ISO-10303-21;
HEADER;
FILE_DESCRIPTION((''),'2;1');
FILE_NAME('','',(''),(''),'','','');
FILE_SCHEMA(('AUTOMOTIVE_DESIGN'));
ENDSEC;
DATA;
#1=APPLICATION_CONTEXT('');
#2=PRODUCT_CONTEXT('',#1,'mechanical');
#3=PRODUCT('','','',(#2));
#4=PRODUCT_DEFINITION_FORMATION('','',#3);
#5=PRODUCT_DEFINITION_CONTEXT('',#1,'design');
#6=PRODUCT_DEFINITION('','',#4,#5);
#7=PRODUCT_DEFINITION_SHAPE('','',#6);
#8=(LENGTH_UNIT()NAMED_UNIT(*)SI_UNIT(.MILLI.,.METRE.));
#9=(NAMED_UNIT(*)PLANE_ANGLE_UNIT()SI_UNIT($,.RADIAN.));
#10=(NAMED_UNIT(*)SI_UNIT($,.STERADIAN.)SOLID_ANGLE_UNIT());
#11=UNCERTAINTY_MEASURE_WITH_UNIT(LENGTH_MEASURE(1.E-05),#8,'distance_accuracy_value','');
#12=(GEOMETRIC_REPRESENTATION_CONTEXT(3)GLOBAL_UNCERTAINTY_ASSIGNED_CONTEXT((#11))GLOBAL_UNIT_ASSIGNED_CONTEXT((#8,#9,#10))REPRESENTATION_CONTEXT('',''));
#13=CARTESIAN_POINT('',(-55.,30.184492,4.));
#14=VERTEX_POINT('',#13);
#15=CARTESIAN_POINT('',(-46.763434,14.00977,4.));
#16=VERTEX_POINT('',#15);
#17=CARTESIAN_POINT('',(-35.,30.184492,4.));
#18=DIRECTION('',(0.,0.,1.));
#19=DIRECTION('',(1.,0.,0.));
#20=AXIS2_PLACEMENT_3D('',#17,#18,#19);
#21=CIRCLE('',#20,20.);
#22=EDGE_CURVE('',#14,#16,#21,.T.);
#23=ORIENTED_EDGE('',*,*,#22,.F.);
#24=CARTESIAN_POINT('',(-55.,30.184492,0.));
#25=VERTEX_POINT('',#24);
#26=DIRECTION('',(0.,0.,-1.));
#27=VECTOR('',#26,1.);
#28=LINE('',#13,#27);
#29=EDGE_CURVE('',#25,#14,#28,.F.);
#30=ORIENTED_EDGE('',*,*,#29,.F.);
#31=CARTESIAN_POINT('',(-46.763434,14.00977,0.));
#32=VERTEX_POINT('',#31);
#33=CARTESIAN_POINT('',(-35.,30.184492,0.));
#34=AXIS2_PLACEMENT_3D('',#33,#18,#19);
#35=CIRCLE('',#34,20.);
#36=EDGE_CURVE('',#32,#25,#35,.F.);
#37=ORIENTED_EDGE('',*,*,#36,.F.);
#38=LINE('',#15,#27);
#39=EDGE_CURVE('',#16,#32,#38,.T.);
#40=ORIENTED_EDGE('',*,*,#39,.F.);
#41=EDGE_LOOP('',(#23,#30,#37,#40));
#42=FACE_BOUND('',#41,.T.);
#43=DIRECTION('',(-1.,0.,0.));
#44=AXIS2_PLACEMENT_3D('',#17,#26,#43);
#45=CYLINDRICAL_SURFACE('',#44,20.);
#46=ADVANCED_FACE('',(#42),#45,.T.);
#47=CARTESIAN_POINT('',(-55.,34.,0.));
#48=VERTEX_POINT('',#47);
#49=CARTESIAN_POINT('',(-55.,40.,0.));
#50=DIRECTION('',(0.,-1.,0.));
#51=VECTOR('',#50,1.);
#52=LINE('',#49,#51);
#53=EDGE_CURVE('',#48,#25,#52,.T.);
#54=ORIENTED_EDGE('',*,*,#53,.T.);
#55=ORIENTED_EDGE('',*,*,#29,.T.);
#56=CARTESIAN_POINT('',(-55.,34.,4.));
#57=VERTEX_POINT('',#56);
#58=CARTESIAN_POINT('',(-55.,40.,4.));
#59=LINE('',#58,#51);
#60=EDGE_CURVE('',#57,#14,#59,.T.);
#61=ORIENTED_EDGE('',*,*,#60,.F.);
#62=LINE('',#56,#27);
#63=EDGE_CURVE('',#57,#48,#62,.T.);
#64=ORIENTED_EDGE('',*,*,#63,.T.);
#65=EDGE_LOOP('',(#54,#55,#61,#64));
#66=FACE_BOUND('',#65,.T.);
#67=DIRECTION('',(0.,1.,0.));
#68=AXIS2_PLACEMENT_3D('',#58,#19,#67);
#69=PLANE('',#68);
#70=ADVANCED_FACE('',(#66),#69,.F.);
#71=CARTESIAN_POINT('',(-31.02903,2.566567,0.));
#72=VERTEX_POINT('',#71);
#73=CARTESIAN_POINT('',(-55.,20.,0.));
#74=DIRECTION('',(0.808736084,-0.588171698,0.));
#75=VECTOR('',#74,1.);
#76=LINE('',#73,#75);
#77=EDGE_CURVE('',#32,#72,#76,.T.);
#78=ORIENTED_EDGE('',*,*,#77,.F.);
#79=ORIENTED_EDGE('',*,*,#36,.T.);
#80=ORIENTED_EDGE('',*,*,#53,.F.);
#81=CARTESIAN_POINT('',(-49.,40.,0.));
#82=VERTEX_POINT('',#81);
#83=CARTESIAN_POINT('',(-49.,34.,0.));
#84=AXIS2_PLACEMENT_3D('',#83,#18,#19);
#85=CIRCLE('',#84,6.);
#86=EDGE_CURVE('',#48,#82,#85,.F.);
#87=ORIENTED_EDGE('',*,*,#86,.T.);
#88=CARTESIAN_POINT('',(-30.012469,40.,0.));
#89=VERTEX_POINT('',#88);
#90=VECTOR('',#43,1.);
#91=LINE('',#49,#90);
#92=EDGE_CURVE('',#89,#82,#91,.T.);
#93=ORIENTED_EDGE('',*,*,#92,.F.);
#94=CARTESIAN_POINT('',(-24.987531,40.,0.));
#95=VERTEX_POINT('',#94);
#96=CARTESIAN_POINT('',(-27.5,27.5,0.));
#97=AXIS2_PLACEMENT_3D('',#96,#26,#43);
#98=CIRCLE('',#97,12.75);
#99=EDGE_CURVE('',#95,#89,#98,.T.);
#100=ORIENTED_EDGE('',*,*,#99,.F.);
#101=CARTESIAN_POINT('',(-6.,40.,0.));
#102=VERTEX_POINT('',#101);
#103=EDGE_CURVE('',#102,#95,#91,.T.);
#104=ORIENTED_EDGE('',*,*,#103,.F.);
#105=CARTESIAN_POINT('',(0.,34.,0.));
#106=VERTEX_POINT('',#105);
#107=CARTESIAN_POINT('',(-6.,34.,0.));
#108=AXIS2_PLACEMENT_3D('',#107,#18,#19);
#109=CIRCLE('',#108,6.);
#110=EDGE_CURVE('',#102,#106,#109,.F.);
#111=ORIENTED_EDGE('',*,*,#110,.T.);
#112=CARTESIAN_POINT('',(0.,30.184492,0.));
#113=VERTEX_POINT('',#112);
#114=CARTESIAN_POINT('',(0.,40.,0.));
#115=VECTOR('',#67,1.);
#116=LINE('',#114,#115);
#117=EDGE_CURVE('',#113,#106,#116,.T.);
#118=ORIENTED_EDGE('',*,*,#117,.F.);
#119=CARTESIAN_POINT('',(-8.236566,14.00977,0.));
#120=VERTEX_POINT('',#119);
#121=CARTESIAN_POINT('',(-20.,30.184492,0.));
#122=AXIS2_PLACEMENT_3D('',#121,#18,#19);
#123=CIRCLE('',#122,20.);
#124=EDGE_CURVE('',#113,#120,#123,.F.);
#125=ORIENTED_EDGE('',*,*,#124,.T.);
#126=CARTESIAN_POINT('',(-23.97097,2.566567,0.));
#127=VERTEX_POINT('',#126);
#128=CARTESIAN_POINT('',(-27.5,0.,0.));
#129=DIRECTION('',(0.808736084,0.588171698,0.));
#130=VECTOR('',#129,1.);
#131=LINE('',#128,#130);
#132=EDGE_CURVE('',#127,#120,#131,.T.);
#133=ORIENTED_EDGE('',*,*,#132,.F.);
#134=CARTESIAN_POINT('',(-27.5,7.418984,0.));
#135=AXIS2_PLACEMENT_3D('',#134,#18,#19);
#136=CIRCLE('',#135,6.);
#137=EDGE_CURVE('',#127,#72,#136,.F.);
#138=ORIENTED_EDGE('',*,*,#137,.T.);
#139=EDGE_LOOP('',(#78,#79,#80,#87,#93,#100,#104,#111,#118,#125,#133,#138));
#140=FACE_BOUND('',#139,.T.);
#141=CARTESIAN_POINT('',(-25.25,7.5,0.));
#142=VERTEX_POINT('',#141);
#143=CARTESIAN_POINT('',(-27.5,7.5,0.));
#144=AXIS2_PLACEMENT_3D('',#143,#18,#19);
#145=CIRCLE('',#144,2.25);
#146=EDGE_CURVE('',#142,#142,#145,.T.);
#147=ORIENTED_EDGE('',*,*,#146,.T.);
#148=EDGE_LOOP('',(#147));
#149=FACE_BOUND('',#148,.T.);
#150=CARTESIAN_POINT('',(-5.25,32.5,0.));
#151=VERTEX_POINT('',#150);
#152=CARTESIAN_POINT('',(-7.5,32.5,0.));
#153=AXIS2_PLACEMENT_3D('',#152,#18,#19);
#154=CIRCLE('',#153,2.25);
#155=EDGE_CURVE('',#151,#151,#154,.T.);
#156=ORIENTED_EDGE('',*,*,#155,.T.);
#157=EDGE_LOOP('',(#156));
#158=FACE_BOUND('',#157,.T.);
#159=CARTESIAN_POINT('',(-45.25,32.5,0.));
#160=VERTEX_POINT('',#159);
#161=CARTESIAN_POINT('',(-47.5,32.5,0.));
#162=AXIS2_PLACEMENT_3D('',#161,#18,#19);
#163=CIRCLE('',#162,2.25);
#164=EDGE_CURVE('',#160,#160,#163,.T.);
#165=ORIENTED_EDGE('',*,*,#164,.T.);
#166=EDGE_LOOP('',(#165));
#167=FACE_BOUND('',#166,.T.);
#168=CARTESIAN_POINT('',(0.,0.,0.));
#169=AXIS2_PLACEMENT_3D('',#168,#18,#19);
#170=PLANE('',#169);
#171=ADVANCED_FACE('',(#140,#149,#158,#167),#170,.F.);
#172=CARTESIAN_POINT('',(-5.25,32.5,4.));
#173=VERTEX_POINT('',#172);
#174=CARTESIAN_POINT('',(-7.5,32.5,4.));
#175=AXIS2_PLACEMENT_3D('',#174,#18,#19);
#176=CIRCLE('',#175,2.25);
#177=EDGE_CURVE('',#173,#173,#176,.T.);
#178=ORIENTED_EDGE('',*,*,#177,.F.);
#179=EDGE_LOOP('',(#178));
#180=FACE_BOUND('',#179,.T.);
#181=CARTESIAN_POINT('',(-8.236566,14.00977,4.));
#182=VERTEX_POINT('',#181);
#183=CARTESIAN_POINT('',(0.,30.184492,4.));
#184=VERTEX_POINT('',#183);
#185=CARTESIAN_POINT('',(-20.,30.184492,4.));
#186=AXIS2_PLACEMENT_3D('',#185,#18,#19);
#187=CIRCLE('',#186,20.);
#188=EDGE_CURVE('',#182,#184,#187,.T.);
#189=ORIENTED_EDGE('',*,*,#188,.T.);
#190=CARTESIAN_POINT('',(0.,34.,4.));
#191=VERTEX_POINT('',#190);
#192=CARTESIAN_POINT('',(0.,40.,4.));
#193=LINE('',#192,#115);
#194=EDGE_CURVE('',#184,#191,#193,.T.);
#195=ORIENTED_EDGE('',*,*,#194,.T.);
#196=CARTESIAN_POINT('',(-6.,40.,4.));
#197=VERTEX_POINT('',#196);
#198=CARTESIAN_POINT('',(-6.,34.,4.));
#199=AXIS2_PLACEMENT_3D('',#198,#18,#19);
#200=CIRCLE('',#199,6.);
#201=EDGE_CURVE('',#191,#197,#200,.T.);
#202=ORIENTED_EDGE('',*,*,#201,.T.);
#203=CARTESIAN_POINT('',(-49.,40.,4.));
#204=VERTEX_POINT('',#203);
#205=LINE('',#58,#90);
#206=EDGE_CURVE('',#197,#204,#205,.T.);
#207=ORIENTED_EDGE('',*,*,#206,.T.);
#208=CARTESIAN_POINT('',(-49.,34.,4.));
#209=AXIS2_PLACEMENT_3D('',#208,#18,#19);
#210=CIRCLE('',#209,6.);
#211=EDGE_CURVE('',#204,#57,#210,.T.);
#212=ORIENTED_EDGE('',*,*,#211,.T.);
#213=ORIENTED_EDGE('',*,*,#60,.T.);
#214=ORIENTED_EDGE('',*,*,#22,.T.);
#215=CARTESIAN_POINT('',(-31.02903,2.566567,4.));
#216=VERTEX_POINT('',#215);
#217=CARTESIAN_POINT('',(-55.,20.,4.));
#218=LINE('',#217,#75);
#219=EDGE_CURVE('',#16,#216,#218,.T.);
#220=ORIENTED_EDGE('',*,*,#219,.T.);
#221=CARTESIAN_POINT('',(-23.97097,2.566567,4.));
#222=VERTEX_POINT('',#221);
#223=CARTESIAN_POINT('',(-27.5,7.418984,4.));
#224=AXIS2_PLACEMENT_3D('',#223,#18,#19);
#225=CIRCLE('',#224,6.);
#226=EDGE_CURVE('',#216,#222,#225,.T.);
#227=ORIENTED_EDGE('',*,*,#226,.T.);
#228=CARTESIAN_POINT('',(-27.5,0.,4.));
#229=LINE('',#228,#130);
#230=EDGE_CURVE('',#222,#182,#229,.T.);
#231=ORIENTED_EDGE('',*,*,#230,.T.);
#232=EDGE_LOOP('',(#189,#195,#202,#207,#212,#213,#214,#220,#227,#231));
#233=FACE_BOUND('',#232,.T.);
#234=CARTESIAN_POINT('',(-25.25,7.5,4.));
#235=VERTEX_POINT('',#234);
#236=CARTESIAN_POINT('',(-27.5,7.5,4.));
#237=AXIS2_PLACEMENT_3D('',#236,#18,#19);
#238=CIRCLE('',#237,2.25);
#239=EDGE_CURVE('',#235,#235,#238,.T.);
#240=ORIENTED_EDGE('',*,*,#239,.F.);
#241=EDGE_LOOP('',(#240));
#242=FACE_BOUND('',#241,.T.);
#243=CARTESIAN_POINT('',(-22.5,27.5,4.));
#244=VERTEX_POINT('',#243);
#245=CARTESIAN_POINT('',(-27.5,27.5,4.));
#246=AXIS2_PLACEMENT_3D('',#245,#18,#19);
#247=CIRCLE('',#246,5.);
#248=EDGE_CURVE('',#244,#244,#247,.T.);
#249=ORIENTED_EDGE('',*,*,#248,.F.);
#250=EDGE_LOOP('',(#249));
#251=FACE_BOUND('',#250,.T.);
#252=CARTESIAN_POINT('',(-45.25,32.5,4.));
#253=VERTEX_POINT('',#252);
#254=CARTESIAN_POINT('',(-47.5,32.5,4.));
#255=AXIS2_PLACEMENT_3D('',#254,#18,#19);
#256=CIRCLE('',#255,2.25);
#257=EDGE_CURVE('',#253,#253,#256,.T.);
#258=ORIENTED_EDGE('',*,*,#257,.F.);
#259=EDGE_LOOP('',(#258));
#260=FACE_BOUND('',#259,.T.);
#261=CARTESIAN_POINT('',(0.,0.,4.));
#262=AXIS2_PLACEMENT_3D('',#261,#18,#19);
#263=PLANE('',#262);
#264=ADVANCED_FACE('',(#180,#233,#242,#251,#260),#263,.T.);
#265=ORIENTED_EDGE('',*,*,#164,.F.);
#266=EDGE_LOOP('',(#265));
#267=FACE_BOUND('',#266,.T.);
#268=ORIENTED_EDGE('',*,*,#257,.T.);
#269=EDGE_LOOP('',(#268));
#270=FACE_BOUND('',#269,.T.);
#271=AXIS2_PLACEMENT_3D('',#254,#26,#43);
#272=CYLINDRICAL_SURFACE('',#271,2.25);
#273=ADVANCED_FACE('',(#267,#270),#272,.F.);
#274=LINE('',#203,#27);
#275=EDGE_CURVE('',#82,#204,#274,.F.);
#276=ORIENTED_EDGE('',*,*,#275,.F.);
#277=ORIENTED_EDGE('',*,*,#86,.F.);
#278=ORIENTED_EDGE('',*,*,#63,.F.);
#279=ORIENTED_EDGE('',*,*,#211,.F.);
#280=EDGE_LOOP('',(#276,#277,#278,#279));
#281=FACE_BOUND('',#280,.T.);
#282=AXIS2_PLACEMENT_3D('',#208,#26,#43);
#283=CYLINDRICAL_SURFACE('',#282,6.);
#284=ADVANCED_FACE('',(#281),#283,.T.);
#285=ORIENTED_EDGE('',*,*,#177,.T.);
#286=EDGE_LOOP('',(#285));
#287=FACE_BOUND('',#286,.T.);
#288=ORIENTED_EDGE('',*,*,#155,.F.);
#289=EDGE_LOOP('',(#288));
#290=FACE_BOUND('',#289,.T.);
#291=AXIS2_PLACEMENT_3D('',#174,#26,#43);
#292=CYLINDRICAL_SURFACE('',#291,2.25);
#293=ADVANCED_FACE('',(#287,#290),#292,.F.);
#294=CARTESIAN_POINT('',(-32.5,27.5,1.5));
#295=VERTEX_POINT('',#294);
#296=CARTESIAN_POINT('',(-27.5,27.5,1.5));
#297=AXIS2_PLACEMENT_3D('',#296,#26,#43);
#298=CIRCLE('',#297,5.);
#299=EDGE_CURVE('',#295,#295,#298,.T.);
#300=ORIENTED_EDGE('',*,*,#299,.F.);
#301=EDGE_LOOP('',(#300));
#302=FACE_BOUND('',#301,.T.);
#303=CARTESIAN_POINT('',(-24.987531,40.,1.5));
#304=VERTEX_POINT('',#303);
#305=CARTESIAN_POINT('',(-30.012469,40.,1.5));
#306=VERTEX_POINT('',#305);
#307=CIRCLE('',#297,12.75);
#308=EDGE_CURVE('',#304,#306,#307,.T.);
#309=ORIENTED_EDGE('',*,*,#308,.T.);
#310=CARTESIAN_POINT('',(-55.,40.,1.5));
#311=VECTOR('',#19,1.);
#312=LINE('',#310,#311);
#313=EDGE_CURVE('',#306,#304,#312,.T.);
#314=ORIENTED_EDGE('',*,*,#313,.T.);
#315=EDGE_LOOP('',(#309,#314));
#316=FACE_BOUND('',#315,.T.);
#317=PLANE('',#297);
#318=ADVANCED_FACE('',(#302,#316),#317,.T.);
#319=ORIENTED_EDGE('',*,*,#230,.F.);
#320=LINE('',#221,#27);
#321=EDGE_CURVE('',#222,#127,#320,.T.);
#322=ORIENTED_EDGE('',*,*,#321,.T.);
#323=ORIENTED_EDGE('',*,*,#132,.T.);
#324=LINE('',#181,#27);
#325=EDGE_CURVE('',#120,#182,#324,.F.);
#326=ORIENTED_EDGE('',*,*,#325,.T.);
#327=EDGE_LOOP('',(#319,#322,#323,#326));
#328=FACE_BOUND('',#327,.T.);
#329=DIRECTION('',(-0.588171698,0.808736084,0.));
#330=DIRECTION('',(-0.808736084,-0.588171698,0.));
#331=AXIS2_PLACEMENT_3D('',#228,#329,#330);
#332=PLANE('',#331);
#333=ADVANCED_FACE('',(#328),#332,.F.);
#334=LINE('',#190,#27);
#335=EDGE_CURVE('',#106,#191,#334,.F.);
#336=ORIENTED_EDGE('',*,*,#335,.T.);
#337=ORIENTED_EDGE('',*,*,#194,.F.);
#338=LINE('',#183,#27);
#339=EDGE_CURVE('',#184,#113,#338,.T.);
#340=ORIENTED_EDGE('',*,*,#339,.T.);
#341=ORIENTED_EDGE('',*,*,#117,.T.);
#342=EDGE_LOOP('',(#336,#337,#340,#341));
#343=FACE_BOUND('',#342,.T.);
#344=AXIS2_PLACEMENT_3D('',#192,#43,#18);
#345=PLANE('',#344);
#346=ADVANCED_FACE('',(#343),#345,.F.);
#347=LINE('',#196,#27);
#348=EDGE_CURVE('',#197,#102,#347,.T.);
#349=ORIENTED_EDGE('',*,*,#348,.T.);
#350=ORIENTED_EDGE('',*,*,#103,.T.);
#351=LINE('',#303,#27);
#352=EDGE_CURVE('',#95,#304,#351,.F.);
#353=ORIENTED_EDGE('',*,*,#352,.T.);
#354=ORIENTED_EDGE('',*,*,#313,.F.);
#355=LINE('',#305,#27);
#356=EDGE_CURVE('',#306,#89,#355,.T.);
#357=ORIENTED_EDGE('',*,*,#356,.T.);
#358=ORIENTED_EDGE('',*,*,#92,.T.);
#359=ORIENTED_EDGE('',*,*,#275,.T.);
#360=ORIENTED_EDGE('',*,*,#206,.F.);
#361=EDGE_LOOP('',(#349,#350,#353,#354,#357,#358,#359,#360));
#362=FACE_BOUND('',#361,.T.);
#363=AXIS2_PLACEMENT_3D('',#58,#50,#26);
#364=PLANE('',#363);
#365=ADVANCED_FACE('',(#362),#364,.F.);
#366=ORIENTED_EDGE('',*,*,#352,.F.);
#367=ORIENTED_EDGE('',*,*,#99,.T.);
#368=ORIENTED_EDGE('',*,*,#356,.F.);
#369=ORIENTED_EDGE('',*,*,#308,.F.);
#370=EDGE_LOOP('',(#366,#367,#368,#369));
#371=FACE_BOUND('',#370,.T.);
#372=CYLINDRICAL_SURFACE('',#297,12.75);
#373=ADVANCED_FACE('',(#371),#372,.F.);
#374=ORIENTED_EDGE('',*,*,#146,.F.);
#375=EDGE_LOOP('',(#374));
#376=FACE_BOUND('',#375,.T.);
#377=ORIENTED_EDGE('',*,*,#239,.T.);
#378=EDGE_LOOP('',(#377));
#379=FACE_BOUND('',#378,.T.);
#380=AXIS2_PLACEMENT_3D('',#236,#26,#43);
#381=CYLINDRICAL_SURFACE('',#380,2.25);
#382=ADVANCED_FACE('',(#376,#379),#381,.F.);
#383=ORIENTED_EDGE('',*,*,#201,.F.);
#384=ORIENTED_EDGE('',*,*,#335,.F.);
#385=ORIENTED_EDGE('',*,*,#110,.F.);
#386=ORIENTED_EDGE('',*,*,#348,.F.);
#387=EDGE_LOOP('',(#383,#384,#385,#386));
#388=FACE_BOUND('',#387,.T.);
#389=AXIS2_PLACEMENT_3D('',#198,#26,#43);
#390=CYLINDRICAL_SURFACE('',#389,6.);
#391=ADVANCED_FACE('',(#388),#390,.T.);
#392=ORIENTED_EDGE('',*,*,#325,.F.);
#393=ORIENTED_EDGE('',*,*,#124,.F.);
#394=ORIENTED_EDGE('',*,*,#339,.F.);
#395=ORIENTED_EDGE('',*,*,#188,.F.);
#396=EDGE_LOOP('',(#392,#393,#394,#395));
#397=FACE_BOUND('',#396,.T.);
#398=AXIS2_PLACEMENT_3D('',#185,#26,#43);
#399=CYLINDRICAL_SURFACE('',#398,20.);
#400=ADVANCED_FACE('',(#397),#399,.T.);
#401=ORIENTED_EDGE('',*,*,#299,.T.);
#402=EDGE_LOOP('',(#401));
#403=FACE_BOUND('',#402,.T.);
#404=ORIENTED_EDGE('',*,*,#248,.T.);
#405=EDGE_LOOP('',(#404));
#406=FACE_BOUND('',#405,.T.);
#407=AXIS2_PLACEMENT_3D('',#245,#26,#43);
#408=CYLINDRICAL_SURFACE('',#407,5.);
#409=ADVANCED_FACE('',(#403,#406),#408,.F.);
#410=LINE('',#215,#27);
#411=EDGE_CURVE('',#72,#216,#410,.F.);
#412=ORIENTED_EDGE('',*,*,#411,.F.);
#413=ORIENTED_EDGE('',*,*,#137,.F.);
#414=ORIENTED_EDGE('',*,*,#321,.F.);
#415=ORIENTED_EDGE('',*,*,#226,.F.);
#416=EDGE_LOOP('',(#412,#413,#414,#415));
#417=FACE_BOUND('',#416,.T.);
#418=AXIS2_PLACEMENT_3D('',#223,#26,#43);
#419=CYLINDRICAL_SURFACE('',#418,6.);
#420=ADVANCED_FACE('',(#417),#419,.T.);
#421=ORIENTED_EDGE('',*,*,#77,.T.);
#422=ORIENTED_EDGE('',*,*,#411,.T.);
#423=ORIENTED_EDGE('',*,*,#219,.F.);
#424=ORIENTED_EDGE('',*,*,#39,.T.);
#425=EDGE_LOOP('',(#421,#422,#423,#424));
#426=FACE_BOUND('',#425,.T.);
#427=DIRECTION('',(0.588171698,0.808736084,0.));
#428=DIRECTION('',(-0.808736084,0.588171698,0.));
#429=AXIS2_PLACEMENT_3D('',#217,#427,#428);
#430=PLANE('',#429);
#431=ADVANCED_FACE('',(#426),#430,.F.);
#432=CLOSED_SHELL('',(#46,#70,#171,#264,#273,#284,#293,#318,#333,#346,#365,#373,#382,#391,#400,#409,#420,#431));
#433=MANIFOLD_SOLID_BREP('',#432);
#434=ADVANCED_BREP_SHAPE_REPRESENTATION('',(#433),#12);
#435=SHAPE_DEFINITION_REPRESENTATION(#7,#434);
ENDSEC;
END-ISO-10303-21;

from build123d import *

# Parameters (mm, degrees)
ESQUISSE1_R              = 5
ESQUISSE1_R_2            = 2.25
BOSS_EXTRU_1_DEPTH       = 4
CONG_2_R                 = 6
CONG_3_R                 = 20
ESQUISSE4_R              = 12.75
ENL_V_MAT_EXTRU_20_DEPTH = 1.5


with BuildPart() as part:
    # Esquisse1 → Boss.-Extru.1 (new body)
    with BuildSketch(Plane.XY):
        Polygon((-55, 20), (-27.5, 0), (0, 20), (0, 40), (-55, 40), align=None)
        with Locations((-27.5, 27.5)):
            Circle(ESQUISSE1_R, mode=Mode.SUBTRACT)
        with Locations((-47.5, 32.5)):
            Circle(ESQUISSE1_R_2, mode=Mode.SUBTRACT)
        with Locations((-7.5, 32.5)):
            Circle(ESQUISSE1_R_2, mode=Mode.SUBTRACT)
        with Locations((-27.5, 7.5)):
            Circle(ESQUISSE1_R_2, mode=Mode.SUBTRACT)
    extrude(amount=BOSS_EXTRU_1_DEPTH)

    # Congé2
    cong_2_edges = [part.edges().sort_by_distance(p)[0] for p in [
        (-55, 40, 2),
        (0, 40, 2),
        (-27.5, 0, 2),
    ]]
    fillet(cong_2_edges, radius=CONG_2_R)

    # Congé3
    cong_3_edges = [part.edges().sort_by_distance(p)[0] for p in [
        (0, 20, 2),
        (-55, 20, 2),
    ]]
    fillet(cong_3_edges, radius=CONG_3_R)

    # Esquisse4 → Enlèv. mat.-Extru.20 (cut)
    with BuildSketch(Plane(origin=(0, 0, 0), x_dir=(-1, 0, 0), z_dir=(0, 0, -1))):
        with Locations((27.5, 27.5)):
            Circle(ESQUISSE4_R)
    extrude(amount=-ENL_V_MAT_EXTRU_20_DEPTH, mode=Mode.SUBTRACT)


solid = part.part
